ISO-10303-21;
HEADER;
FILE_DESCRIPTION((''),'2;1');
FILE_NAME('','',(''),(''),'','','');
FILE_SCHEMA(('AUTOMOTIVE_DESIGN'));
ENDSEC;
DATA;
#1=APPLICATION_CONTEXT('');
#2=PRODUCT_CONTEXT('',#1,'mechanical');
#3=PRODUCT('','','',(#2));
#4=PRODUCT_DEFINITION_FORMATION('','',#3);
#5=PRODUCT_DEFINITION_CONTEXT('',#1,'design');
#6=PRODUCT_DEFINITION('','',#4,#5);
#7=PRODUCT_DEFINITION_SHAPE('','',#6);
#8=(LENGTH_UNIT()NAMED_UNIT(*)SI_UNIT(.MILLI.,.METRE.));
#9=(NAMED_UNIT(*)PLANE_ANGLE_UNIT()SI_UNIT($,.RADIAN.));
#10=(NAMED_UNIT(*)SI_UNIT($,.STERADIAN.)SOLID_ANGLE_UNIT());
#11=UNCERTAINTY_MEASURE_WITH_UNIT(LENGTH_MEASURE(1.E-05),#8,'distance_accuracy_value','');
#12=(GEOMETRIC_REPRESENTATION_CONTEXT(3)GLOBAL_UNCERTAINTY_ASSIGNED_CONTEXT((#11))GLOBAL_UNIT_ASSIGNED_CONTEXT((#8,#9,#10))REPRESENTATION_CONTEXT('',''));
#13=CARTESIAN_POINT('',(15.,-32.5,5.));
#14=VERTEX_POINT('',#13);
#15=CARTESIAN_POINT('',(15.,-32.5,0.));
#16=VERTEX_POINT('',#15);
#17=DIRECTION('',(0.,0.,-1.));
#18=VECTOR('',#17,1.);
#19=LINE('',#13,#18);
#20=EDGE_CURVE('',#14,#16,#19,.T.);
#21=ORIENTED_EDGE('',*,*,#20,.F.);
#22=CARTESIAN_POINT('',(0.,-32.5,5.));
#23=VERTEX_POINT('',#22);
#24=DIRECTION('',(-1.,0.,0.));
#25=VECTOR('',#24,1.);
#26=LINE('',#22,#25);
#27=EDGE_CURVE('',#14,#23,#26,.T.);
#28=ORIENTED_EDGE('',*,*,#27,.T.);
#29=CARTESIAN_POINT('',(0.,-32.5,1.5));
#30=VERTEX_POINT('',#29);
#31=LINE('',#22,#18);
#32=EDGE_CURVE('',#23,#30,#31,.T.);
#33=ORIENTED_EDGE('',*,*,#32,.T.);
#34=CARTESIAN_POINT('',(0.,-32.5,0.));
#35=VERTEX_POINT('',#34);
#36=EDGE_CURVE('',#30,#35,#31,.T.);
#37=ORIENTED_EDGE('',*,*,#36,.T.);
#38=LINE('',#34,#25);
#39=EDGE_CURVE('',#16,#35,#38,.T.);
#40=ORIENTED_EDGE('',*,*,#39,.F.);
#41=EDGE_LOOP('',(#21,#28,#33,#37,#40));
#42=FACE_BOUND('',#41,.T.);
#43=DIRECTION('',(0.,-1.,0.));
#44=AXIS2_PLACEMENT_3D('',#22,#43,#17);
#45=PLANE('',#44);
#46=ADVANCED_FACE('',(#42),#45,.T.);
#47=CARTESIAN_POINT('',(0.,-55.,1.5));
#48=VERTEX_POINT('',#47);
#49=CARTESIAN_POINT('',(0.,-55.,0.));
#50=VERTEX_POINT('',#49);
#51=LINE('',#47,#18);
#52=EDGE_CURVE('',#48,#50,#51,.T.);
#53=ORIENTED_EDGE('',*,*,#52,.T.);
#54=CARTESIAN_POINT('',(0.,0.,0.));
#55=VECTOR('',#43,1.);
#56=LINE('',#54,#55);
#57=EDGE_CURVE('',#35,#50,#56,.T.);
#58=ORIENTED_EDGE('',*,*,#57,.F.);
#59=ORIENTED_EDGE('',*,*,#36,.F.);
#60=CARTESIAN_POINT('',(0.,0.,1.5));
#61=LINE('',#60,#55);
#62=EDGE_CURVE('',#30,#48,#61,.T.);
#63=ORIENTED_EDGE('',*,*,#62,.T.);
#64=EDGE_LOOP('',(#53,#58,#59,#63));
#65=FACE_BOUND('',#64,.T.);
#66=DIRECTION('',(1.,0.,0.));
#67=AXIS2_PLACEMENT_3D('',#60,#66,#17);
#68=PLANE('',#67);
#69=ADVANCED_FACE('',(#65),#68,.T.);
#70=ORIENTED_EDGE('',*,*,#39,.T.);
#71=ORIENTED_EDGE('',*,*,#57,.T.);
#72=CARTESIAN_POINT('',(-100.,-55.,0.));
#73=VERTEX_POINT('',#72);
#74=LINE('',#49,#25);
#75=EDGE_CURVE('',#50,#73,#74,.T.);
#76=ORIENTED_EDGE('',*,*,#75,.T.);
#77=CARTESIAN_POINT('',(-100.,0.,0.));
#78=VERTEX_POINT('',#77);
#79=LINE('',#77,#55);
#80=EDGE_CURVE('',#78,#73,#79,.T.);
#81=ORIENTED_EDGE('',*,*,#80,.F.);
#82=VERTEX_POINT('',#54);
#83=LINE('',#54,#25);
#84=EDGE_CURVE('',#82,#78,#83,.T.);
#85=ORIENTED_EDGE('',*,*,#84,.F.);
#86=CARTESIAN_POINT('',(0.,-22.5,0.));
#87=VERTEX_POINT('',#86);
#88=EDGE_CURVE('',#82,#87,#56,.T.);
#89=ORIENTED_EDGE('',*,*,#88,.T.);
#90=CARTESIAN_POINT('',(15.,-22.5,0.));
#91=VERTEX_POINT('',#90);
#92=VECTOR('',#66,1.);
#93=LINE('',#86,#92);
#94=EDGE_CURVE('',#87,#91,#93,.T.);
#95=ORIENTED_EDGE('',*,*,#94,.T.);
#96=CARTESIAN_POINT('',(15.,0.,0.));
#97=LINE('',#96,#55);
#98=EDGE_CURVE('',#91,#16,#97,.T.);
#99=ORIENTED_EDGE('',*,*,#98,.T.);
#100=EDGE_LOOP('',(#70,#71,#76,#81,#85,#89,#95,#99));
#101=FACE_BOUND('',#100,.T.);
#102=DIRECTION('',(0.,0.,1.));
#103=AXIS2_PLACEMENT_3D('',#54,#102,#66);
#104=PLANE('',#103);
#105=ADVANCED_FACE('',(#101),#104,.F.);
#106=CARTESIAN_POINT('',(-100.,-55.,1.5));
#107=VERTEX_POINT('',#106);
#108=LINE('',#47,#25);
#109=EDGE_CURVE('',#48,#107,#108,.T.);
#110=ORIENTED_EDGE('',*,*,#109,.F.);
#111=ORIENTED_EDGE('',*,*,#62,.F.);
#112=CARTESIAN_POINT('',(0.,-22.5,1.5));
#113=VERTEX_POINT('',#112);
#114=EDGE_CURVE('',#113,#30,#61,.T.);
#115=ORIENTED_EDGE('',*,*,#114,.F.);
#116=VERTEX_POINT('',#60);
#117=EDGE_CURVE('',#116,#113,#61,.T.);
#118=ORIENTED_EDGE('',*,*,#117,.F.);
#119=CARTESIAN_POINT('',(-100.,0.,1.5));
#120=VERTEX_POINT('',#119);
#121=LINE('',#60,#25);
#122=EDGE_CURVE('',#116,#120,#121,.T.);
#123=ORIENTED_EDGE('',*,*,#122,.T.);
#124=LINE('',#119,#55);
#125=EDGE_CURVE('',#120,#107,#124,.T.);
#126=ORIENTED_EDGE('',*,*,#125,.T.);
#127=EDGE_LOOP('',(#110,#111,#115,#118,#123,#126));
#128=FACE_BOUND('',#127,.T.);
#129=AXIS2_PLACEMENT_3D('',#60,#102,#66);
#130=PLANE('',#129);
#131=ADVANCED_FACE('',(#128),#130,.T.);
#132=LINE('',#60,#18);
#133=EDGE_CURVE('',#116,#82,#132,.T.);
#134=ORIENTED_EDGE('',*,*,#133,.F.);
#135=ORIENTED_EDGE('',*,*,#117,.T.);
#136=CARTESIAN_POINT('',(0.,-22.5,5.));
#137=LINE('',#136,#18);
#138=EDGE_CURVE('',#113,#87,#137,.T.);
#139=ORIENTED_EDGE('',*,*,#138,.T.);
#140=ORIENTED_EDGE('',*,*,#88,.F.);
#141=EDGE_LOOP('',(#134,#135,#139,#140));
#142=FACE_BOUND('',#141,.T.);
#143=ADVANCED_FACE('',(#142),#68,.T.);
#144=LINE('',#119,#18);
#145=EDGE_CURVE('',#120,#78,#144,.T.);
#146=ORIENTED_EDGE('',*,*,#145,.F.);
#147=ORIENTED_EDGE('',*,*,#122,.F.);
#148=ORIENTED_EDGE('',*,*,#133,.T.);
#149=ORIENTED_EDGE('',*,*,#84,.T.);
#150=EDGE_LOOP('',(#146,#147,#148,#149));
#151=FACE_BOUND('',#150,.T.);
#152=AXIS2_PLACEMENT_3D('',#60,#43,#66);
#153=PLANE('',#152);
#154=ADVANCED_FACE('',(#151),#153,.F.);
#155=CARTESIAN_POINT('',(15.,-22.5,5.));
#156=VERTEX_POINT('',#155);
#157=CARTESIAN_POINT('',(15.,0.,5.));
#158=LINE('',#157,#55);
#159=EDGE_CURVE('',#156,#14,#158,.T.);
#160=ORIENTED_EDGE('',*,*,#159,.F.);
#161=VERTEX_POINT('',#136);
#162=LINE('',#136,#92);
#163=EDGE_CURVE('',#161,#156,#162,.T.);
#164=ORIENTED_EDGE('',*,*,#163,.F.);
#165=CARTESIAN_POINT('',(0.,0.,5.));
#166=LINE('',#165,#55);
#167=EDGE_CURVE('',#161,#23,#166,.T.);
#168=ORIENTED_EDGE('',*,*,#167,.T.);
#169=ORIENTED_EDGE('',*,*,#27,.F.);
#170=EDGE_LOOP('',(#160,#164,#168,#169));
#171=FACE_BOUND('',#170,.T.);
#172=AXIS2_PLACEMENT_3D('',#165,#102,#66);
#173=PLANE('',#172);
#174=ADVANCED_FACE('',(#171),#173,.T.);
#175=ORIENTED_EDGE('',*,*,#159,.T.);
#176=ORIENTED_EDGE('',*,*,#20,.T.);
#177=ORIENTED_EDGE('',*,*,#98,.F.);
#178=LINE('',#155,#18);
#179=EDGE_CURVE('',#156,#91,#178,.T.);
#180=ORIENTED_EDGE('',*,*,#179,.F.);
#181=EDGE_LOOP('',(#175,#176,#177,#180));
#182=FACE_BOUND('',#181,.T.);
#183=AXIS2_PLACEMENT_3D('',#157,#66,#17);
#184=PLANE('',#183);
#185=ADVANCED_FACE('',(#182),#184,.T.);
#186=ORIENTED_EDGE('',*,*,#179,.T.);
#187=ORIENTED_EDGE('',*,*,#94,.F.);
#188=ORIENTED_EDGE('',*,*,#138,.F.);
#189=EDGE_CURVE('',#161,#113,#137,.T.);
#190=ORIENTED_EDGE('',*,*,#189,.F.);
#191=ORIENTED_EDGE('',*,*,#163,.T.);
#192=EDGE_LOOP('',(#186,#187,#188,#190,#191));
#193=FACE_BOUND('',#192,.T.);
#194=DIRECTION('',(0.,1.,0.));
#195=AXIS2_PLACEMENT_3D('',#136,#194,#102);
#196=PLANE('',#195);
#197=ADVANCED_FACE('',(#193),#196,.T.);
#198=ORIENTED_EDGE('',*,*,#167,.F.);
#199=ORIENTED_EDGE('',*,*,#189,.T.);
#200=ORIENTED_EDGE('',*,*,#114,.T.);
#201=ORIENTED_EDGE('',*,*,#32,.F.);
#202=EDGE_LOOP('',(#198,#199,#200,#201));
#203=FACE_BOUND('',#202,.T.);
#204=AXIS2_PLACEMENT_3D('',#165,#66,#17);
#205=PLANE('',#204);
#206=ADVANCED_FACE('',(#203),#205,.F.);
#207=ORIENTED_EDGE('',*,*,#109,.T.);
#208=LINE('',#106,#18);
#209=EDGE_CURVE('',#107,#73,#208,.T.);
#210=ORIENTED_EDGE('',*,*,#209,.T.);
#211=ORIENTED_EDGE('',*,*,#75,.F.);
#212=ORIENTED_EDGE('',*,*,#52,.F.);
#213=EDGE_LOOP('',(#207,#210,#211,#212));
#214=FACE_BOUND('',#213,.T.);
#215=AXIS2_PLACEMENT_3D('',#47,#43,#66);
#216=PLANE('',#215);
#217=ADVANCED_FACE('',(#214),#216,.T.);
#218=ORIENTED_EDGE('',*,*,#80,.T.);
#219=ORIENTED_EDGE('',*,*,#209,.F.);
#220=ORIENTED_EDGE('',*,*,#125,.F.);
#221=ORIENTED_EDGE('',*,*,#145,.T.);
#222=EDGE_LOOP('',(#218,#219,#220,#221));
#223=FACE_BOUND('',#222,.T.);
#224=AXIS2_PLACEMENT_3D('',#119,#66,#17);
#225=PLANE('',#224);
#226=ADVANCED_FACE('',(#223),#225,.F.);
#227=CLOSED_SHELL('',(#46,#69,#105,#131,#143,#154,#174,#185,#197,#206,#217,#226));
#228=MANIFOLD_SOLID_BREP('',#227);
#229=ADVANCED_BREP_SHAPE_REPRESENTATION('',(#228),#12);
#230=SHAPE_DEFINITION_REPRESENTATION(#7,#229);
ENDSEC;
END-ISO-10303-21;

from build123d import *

# Parameters (mm, degrees)
BOSS_EXTRUDE1_DEPTH = 1.5
SKETCH1_3_W         = 15
SKETCH1_3_H         = 10
BOSS_EXTRUDE2_DEPTH = 5


with BuildPart() as part:
    # Sketch1 → Boss-Extrude1 (new body)
    with BuildSketch(Plane.XY):
        Polygon((0, -32.5), (0, -22.5), (0, 0), (-100, 0), (-100, -55), (0, -55), align=None)
    extrude(amount=BOSS_EXTRUDE1_DEPTH)

    # Sketch1<3> → Boss-Extrude2 (add)
    with BuildSketch(Plane.XY):
        with Locations((7.5, -27.5)):
            Rectangle(SKETCH1_3_W, SKETCH1_3_H)
    extrude(amount=BOSS_EXTRUDE2_DEPTH)


solid = part.part
